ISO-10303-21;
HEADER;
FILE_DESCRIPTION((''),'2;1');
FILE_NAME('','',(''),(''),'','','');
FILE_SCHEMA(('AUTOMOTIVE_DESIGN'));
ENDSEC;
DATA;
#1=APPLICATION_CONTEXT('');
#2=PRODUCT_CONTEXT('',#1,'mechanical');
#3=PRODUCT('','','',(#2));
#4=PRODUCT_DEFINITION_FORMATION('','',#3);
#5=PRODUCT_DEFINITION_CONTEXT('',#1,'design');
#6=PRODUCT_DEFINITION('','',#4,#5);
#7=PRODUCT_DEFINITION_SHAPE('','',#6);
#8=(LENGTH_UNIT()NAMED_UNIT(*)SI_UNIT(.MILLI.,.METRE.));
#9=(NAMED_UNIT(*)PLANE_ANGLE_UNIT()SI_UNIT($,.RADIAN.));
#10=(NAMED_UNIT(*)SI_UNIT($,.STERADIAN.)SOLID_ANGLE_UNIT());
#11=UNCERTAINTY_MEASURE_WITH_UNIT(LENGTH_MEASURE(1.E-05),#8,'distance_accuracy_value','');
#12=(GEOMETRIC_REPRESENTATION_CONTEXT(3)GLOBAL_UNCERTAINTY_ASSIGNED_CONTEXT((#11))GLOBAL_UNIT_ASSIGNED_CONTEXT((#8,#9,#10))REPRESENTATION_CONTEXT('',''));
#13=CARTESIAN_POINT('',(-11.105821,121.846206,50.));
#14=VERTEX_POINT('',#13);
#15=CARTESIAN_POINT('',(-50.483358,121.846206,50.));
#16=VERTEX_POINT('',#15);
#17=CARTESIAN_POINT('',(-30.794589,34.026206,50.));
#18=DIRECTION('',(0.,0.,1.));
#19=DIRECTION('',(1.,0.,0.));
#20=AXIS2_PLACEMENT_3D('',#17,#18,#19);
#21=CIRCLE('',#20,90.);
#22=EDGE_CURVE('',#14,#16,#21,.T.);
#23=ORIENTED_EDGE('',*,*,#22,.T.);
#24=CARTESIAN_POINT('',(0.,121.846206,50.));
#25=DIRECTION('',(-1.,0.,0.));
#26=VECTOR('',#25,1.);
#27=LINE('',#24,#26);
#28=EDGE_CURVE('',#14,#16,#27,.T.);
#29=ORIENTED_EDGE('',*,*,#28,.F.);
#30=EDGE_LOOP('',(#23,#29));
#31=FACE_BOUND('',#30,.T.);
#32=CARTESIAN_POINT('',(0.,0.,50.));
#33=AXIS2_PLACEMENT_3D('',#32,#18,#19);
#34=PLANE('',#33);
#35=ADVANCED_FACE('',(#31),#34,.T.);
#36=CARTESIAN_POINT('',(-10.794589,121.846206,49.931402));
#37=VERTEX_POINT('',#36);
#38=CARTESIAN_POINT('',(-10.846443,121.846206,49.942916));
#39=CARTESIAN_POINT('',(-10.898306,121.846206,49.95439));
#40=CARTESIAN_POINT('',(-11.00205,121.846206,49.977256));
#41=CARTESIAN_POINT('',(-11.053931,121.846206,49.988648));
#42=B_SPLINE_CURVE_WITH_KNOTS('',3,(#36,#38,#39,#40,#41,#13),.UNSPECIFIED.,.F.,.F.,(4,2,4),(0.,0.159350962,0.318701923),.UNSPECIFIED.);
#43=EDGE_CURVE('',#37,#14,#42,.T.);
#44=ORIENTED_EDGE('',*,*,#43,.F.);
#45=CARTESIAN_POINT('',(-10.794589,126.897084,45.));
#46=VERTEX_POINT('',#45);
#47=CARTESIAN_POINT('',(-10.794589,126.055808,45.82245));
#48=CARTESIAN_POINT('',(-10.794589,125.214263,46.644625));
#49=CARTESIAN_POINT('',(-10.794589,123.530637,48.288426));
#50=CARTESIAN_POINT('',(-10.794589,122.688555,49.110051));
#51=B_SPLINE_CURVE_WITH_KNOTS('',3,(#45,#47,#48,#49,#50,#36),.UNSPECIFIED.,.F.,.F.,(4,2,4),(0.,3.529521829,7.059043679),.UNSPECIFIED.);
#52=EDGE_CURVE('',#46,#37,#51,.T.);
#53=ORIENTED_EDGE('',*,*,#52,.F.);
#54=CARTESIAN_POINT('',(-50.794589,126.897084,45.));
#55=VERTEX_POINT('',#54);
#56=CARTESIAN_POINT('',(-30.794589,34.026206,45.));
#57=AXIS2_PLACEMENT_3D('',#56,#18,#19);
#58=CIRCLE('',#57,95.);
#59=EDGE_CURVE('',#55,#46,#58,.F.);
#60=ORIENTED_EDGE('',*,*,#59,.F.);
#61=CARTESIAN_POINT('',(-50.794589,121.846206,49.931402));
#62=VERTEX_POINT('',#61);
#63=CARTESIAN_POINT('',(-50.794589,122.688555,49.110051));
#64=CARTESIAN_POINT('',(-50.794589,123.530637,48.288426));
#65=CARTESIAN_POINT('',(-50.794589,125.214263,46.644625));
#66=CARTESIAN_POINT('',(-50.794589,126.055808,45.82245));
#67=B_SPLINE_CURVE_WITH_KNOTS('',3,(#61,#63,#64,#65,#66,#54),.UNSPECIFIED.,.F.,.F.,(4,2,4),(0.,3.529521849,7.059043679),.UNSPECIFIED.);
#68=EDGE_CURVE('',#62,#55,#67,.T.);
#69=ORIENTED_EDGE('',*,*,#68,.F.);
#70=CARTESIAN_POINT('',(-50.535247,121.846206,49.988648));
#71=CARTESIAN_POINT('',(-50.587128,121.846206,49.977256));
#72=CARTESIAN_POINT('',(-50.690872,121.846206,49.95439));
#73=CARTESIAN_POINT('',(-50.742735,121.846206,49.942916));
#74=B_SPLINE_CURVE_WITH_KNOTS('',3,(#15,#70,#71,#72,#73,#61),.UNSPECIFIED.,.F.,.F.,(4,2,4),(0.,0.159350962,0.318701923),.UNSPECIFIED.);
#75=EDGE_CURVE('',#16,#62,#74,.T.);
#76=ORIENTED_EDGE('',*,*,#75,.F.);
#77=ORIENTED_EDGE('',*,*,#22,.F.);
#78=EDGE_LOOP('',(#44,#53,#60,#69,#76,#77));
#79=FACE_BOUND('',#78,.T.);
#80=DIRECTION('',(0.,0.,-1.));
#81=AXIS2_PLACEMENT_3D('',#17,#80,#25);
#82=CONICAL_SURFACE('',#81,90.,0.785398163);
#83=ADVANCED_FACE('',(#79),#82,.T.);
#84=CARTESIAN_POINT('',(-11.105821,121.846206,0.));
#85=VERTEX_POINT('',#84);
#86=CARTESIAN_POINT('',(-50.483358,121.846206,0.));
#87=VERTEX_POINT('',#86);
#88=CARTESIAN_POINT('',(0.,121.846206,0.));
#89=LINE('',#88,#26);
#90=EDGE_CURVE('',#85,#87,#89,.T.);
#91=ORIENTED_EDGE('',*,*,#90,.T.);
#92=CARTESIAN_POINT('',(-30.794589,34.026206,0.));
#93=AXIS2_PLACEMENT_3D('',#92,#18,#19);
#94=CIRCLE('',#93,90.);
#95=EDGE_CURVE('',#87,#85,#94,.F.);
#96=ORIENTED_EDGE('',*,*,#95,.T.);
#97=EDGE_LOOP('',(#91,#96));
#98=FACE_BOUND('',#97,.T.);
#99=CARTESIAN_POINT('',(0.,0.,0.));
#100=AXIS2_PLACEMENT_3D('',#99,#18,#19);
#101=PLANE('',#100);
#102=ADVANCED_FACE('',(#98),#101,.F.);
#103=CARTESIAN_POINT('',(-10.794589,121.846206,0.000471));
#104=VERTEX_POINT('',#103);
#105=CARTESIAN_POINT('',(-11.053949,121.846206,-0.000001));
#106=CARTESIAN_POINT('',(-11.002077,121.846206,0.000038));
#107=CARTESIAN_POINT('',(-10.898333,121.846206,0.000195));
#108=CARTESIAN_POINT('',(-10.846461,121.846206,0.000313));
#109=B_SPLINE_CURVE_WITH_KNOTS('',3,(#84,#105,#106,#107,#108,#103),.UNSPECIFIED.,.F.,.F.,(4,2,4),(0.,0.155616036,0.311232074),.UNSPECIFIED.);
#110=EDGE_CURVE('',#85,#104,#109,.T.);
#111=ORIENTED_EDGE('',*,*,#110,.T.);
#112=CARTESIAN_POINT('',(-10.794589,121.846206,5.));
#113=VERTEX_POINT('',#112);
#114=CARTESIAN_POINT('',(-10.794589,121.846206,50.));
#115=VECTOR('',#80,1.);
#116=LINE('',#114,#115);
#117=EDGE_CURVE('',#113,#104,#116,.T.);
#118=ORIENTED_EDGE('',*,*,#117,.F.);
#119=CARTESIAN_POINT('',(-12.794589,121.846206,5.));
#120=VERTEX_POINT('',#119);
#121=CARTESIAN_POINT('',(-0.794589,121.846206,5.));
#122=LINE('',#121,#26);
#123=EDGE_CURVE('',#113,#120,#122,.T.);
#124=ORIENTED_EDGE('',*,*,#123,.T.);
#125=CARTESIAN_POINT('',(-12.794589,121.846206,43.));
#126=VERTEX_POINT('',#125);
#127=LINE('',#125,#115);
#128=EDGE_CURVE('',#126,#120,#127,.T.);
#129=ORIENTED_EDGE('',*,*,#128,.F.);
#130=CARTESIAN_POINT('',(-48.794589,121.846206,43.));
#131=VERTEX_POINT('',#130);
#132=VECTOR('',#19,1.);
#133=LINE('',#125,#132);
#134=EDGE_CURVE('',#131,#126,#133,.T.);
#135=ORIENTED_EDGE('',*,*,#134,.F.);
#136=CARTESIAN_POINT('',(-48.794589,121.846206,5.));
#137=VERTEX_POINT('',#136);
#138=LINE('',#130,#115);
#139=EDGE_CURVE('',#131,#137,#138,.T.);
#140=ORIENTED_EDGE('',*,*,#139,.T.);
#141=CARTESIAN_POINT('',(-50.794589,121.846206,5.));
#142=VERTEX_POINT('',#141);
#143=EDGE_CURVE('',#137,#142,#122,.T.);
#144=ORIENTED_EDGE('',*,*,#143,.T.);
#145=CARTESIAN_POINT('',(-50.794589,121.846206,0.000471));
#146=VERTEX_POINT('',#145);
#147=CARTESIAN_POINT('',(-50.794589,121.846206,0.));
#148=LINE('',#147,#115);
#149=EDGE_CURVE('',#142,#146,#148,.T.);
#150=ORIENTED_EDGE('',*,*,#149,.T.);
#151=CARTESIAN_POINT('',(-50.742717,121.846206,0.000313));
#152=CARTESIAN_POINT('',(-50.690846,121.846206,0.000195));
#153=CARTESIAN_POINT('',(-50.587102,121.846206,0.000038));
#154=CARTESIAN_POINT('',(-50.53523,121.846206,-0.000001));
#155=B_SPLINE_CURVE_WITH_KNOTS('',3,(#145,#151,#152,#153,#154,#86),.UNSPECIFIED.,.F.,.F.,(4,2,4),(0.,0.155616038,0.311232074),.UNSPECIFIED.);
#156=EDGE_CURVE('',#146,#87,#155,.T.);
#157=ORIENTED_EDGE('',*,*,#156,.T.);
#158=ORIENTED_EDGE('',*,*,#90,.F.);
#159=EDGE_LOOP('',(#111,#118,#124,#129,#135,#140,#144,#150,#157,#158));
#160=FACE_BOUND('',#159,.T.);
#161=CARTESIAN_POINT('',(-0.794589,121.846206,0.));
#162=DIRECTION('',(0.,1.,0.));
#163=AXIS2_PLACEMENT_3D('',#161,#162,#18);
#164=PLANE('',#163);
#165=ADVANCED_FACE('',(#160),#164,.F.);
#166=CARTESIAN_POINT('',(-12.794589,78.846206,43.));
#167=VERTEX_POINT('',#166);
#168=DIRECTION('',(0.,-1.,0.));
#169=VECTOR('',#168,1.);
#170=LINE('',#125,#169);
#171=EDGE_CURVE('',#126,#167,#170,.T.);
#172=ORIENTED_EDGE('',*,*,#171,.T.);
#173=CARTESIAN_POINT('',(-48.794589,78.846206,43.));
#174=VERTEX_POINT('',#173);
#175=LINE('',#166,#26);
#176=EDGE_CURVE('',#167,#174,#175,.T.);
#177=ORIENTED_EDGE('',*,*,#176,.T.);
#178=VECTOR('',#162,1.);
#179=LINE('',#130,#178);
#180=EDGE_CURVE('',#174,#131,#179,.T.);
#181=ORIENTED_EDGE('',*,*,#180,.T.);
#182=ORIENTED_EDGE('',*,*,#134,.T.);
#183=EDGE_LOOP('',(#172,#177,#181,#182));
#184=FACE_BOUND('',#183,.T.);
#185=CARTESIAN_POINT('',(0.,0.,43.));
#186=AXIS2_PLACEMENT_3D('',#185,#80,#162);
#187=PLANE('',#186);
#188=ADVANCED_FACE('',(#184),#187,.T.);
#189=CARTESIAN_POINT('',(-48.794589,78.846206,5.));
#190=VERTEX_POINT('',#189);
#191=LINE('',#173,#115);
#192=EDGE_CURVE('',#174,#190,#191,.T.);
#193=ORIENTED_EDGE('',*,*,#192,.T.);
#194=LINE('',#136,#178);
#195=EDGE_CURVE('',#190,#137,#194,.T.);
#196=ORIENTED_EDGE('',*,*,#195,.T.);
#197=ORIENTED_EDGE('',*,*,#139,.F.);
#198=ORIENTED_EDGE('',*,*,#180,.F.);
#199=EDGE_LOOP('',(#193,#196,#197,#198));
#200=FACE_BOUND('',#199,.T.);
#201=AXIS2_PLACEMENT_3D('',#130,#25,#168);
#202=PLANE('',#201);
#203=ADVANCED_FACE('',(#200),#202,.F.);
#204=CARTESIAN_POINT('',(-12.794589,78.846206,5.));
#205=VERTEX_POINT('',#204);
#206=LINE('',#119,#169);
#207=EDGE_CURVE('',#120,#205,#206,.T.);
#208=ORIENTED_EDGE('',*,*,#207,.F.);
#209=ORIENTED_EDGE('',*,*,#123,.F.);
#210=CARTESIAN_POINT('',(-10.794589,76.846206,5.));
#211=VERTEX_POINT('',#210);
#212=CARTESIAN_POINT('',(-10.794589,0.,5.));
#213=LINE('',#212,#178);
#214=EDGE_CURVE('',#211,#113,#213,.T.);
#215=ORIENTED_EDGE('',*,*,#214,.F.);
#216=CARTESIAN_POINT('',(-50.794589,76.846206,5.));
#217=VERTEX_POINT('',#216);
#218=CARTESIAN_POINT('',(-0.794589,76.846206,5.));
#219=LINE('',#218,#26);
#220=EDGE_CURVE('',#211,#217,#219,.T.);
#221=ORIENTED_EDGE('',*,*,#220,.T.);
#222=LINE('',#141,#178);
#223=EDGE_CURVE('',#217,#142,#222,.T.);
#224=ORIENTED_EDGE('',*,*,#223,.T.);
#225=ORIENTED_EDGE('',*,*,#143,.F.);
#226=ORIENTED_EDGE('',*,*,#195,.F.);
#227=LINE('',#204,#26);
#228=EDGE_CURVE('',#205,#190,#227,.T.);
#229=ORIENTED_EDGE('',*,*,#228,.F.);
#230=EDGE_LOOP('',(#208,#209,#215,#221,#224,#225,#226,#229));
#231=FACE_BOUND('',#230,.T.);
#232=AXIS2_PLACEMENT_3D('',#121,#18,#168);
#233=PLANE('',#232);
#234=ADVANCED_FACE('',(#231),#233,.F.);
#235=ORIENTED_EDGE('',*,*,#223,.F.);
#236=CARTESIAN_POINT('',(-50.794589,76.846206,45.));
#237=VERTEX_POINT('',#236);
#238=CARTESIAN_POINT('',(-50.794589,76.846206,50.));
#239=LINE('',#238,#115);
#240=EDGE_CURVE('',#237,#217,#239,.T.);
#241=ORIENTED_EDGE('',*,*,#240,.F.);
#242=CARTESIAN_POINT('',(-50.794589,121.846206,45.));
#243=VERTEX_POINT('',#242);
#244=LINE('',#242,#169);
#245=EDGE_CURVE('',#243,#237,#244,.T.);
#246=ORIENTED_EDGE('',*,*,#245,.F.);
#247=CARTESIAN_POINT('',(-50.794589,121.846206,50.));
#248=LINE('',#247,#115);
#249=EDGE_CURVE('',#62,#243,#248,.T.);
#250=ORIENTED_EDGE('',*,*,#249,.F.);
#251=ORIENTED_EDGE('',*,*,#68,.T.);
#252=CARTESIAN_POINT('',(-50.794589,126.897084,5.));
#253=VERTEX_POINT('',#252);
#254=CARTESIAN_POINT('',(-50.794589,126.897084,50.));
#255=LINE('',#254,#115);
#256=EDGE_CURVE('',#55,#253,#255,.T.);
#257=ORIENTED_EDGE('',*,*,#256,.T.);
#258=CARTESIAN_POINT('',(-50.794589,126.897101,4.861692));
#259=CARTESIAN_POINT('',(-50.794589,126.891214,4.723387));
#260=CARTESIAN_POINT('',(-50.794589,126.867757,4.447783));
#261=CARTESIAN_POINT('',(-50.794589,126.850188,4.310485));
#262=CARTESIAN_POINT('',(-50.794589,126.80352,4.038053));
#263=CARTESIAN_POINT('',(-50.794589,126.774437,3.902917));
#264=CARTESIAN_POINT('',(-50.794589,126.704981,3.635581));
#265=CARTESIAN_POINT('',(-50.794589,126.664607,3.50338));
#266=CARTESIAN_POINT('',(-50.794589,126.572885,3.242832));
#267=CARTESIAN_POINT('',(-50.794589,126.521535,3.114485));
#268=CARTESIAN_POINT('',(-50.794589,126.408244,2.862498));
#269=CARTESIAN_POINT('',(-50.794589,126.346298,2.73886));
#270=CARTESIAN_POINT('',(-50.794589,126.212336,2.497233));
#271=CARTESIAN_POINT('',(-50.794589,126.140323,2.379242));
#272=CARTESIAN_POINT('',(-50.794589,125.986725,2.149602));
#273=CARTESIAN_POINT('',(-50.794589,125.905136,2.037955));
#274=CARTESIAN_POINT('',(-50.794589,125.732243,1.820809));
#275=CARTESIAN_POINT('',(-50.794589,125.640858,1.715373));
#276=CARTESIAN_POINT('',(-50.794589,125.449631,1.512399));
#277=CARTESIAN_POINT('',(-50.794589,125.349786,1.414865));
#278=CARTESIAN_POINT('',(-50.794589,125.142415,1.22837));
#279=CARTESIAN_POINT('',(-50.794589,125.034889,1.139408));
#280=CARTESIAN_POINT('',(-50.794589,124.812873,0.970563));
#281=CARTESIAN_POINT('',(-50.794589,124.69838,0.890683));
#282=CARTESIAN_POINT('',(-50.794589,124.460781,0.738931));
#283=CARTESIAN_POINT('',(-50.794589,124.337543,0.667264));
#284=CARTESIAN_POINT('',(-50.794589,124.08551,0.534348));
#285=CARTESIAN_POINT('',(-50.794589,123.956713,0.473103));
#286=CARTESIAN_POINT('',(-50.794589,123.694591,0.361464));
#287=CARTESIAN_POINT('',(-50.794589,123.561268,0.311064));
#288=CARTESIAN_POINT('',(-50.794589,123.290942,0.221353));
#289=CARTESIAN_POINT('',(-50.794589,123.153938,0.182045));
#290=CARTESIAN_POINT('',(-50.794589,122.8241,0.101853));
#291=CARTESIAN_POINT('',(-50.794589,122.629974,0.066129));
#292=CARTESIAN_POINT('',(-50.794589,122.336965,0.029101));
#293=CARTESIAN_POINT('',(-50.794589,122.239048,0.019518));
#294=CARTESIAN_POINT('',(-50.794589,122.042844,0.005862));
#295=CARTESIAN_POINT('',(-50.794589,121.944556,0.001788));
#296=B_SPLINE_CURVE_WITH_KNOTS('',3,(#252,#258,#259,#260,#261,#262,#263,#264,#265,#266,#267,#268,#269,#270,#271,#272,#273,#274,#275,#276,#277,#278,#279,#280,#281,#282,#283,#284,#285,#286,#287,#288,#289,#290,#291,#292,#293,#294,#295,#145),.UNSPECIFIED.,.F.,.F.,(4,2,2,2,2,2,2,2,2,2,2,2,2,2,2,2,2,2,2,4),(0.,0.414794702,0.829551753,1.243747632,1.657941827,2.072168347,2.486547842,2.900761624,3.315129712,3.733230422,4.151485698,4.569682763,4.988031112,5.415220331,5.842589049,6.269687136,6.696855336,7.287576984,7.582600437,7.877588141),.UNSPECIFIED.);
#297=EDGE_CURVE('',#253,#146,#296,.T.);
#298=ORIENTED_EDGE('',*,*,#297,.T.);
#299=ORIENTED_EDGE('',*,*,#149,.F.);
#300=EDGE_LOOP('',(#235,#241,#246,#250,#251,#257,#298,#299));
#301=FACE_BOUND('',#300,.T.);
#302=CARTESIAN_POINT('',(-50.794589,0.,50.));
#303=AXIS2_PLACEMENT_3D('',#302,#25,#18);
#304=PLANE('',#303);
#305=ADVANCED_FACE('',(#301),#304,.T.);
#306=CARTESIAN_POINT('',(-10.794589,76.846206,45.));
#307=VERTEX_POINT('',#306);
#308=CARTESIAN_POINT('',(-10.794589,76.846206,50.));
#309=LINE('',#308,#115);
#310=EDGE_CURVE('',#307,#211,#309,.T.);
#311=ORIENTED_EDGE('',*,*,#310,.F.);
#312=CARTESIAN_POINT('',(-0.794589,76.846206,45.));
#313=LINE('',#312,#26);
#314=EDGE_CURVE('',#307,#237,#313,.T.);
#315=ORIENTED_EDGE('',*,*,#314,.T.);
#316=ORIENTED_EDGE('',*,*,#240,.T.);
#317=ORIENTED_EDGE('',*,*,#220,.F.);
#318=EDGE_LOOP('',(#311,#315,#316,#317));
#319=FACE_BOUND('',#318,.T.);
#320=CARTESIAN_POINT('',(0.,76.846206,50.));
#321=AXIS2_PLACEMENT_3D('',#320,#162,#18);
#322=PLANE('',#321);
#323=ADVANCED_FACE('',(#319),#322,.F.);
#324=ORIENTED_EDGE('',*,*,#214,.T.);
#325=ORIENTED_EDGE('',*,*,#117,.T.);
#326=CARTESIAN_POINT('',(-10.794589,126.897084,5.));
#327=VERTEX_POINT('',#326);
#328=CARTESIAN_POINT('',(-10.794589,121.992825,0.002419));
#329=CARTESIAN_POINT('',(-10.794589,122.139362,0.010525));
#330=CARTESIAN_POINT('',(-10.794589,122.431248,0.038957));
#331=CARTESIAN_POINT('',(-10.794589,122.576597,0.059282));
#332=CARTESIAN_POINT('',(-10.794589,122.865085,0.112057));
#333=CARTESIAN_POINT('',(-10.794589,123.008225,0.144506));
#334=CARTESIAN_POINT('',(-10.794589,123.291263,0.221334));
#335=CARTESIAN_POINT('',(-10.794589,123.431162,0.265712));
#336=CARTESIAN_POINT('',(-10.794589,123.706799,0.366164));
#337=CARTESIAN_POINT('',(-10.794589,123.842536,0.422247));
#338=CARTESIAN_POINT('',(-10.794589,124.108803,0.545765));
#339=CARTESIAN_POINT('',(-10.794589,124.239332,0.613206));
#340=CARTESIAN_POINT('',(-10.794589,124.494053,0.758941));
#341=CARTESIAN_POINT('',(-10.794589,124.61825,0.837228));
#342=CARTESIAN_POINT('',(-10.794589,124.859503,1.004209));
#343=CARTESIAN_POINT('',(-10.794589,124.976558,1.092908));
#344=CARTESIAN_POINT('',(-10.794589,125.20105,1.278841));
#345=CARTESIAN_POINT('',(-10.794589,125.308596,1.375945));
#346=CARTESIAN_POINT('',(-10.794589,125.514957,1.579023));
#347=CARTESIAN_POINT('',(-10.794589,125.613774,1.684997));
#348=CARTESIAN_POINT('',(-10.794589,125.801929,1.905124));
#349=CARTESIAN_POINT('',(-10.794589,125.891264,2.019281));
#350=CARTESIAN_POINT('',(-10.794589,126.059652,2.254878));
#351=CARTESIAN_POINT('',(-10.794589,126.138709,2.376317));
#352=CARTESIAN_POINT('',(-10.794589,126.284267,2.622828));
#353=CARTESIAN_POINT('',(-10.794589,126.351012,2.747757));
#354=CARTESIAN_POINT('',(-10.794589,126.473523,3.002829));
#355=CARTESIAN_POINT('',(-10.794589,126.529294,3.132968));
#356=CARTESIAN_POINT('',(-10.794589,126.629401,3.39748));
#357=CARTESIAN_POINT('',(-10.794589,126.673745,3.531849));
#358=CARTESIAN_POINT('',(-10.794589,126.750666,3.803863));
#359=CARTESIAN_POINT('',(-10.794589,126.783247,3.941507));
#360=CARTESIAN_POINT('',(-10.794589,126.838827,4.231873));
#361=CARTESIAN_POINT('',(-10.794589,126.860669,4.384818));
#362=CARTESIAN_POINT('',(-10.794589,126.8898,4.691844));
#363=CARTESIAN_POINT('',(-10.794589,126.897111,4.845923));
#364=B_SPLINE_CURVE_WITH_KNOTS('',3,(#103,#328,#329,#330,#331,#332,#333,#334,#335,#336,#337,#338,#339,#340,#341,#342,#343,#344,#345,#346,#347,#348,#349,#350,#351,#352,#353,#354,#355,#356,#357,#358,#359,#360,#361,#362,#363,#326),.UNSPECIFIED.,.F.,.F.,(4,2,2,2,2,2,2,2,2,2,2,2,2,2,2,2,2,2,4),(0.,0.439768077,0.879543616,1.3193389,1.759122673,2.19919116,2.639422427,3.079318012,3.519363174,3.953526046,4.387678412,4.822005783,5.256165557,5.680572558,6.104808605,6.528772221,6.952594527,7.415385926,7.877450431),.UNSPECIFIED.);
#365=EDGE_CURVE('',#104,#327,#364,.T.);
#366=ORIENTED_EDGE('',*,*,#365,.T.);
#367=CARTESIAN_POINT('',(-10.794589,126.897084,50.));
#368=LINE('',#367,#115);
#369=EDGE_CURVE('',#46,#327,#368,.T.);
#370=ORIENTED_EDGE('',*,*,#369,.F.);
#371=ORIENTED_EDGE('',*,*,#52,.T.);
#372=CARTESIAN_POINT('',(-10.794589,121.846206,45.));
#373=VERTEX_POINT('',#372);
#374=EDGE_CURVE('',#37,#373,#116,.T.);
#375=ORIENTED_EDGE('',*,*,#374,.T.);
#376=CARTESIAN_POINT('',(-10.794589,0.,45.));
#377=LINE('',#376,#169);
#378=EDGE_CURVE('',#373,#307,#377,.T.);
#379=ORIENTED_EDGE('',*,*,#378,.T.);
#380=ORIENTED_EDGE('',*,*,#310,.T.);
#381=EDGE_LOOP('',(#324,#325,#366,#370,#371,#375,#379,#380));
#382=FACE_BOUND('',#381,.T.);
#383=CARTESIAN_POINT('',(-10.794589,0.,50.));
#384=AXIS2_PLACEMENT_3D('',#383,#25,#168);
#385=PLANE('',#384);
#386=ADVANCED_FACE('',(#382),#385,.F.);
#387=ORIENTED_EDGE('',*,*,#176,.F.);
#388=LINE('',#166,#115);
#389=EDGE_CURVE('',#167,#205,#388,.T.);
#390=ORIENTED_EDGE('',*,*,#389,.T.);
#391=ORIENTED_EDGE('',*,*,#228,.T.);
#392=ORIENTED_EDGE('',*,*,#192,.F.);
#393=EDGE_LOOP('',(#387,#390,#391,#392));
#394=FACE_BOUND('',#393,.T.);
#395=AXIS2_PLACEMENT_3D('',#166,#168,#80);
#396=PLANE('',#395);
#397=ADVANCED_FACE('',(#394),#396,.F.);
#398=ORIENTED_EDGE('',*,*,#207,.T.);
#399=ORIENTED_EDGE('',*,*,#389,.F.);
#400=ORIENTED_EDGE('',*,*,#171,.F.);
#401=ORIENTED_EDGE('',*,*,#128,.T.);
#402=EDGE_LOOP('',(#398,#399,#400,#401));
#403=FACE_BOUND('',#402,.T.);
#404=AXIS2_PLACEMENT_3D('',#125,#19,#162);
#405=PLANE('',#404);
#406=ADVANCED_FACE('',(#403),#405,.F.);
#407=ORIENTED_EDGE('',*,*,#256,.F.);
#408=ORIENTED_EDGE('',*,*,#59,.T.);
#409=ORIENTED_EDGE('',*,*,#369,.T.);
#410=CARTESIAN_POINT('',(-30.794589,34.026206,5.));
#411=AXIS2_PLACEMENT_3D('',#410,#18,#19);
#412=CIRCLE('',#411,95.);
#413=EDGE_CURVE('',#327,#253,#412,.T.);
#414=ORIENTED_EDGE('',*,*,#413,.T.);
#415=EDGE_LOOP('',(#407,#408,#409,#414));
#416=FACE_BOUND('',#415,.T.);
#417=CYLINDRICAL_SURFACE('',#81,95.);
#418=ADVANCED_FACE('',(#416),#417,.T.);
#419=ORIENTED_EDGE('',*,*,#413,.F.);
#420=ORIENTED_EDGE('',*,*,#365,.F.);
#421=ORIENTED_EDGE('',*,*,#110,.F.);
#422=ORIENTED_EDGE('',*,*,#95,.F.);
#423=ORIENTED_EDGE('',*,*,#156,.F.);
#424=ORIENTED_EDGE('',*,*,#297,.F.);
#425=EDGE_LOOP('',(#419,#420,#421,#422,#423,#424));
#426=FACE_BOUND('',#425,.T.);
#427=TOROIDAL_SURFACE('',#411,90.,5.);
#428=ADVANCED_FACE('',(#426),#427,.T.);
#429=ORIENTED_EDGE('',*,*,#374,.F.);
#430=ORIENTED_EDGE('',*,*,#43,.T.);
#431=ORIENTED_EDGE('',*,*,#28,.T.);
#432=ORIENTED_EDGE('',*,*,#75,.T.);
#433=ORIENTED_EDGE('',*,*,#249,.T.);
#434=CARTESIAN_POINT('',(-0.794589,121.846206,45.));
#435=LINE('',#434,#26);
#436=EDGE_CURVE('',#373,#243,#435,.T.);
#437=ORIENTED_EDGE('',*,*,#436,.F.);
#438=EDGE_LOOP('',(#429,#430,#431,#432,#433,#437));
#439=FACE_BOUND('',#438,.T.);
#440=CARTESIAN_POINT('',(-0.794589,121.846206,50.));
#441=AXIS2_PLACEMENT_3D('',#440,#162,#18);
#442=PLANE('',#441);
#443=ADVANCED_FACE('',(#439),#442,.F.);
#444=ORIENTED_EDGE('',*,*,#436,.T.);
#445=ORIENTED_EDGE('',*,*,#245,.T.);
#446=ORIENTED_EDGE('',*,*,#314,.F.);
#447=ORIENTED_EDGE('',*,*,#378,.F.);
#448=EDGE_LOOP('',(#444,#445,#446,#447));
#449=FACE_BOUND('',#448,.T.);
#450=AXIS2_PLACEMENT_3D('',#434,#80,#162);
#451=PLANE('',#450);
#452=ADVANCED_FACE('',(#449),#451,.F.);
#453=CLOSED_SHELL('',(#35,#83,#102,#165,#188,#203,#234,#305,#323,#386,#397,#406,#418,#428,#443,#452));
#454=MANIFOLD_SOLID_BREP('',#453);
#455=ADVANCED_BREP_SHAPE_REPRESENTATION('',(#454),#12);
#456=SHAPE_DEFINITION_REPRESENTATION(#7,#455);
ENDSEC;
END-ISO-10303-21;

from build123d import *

# Parameters (mm, degrees)
SALIENTE_EXTRUIR1_DEPTH = 50
CROQUIS4_W              = 5
CROQUIS4_H              = 45
CORTAR_EXTRUIR3_DEPTH   = 50
CROQUIS5_W              = 36
CROQUIS5_H              = 43
CORTAR_EXTRUIR4_DEPTH   = 38
REDONDEO1_R             = 5
CHAFL_N1_SIZE           = 5


with BuildPart() as part:
    # Croquis1 → Saliente-Extruir1 (new body)
    with BuildSketch(Plane.XY):
        with BuildLine():
            Line((-50.7945892, 126.897083669), (-50.7945892, 121.077719464))
            Line((-50.7945892, 121.077719464), (-50.7945892, 76.846205564))
            Line((-50.7945892, 76.846205564), (-10.7945892, 76.846205564))
            Line((-10.7945892, 76.846205564), (-10.7945892, 121.077719464))
            Line((-10.7945892, 121.077719464), (-10.7945892, 126.897083669))
            ThreePointArc((-10.7945892, 126.897083669), (-30.7945892, 129.026205564), (-50.7945892, 126.897083669))
        make_face()
    extrude(amount=SALIENTE_EXTRUIR1_DEPTH)

    # Croquis4 → Cortar-Extruir3 (cut)
    with BuildSketch(Plane.ZY.offset(50.7945892)):
        with Locations((2.5, 99.346205564)):
            Rectangle(CROQUIS4_W, CROQUIS4_H)
        with Locations((47.5, 99.346205564)):
            Rectangle(CROQUIS4_W, CROQUIS4_H)
    extrude(amount=-CORTAR_EXTRUIR3_DEPTH, mode=Mode.SUBTRACT)

    # Croquis5 → Cortar-Extruir4 (cut)
    with BuildSketch(Plane(origin=(0, 0, 5), x_dir=(-1, 0, 0), z_dir=(0, 0, -1))):
        with Locations((30.7945892, 100.346205564)):
            Rectangle(CROQUIS5_W, CROQUIS5_H)
    extrude(amount=-CORTAR_EXTRUIR4_DEPTH, mode=Mode.SUBTRACT)

    # Redondeo1
    redondeo1_edges = [part.edges().sort_by_distance(p)[0] for p in [
        (-30.7945892, 129.026205564, 0),
    ]]
    fillet(redondeo1_edges, radius=REDONDEO1_R)

    # Chaflán1
    chafl_n1_edges = [part.edges().sort_by_distance(p)[0] for p in [
        (-30.7945892, 129.026205564, 50),
    ]]
    chamfer(chafl_n1_edges, length=CHAFL_N1_SIZE)


solid = part.part
